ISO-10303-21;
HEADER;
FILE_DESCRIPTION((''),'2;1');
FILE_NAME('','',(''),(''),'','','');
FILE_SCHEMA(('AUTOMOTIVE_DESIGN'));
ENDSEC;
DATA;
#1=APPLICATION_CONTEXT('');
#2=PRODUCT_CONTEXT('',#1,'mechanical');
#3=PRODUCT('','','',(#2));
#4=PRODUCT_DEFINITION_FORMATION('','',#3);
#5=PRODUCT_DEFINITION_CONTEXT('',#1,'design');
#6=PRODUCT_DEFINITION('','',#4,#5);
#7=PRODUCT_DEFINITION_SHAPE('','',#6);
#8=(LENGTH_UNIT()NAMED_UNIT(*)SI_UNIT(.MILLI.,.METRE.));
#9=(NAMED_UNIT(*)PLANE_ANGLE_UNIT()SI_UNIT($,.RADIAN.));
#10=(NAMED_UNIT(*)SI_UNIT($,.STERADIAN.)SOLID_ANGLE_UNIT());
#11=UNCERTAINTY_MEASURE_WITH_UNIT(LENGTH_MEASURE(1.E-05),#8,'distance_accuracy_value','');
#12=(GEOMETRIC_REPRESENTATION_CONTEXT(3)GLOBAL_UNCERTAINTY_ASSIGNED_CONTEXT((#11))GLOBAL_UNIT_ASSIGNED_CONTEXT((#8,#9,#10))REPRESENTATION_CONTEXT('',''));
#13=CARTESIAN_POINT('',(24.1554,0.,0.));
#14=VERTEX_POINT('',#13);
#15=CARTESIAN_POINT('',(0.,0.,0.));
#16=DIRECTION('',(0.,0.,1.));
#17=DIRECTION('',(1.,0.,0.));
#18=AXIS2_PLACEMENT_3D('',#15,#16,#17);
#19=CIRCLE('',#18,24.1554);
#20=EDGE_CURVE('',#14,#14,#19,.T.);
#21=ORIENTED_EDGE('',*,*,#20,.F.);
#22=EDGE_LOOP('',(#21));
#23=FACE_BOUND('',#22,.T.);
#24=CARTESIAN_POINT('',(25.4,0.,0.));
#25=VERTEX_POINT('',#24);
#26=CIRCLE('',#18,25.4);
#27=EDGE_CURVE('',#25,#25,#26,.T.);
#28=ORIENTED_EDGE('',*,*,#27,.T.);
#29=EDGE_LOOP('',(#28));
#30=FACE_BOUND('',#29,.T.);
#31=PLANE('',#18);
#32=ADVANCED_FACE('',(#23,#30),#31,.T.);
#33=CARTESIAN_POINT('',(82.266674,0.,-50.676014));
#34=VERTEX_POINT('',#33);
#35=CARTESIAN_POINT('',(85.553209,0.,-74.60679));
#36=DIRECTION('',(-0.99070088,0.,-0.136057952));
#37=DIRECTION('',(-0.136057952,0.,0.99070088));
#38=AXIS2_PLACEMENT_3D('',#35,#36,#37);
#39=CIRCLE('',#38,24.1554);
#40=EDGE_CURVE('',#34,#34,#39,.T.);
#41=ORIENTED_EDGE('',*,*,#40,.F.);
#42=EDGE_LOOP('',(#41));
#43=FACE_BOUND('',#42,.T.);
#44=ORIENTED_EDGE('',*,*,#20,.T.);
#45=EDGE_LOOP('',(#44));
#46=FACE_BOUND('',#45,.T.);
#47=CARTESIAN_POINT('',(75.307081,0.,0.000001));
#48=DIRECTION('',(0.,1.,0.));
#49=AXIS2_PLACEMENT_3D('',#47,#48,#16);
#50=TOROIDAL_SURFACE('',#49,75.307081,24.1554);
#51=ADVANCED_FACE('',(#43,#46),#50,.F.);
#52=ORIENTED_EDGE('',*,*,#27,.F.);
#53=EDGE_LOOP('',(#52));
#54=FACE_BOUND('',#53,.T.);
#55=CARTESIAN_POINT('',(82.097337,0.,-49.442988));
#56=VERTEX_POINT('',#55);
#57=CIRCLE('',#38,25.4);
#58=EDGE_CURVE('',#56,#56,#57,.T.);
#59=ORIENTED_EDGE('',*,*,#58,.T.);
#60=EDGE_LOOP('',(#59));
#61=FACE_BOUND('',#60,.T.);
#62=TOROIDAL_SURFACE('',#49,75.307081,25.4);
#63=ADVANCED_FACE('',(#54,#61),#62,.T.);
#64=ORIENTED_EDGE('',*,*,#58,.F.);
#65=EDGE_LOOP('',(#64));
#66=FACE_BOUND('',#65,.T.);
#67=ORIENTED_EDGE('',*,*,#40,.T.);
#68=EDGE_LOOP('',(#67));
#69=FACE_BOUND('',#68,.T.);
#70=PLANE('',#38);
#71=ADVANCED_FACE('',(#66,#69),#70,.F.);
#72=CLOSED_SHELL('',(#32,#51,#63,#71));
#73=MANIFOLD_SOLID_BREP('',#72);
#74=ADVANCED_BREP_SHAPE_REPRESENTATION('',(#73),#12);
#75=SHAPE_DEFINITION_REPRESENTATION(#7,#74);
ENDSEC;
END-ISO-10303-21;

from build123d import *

# Parameters (mm, degrees)
SKETCH1_R   = 25.4
SKETCH1_R_2 = 24.1554


with BuildPart() as part:
    # Sweep3: sweep along a path in Sketch3
    with BuildLine(Plane(origin=(0, 0, 0), x_dir=(1, 0, 0), z_dir=(0, 1, 0))) as sweep3_path:
        ThreePointArc((0, 0), (25.811877132, 56.757211967), (85.553208555, 74.606789864))
    # Sketch1 → Sweep3 (sweep)
    with BuildSketch(Plane.XY):
        Circle(SKETCH1_R)
        Circle(SKETCH1_R_2, mode=Mode.SUBTRACT)
    sweep(path=sweep3_path.line)


solid = part.part
